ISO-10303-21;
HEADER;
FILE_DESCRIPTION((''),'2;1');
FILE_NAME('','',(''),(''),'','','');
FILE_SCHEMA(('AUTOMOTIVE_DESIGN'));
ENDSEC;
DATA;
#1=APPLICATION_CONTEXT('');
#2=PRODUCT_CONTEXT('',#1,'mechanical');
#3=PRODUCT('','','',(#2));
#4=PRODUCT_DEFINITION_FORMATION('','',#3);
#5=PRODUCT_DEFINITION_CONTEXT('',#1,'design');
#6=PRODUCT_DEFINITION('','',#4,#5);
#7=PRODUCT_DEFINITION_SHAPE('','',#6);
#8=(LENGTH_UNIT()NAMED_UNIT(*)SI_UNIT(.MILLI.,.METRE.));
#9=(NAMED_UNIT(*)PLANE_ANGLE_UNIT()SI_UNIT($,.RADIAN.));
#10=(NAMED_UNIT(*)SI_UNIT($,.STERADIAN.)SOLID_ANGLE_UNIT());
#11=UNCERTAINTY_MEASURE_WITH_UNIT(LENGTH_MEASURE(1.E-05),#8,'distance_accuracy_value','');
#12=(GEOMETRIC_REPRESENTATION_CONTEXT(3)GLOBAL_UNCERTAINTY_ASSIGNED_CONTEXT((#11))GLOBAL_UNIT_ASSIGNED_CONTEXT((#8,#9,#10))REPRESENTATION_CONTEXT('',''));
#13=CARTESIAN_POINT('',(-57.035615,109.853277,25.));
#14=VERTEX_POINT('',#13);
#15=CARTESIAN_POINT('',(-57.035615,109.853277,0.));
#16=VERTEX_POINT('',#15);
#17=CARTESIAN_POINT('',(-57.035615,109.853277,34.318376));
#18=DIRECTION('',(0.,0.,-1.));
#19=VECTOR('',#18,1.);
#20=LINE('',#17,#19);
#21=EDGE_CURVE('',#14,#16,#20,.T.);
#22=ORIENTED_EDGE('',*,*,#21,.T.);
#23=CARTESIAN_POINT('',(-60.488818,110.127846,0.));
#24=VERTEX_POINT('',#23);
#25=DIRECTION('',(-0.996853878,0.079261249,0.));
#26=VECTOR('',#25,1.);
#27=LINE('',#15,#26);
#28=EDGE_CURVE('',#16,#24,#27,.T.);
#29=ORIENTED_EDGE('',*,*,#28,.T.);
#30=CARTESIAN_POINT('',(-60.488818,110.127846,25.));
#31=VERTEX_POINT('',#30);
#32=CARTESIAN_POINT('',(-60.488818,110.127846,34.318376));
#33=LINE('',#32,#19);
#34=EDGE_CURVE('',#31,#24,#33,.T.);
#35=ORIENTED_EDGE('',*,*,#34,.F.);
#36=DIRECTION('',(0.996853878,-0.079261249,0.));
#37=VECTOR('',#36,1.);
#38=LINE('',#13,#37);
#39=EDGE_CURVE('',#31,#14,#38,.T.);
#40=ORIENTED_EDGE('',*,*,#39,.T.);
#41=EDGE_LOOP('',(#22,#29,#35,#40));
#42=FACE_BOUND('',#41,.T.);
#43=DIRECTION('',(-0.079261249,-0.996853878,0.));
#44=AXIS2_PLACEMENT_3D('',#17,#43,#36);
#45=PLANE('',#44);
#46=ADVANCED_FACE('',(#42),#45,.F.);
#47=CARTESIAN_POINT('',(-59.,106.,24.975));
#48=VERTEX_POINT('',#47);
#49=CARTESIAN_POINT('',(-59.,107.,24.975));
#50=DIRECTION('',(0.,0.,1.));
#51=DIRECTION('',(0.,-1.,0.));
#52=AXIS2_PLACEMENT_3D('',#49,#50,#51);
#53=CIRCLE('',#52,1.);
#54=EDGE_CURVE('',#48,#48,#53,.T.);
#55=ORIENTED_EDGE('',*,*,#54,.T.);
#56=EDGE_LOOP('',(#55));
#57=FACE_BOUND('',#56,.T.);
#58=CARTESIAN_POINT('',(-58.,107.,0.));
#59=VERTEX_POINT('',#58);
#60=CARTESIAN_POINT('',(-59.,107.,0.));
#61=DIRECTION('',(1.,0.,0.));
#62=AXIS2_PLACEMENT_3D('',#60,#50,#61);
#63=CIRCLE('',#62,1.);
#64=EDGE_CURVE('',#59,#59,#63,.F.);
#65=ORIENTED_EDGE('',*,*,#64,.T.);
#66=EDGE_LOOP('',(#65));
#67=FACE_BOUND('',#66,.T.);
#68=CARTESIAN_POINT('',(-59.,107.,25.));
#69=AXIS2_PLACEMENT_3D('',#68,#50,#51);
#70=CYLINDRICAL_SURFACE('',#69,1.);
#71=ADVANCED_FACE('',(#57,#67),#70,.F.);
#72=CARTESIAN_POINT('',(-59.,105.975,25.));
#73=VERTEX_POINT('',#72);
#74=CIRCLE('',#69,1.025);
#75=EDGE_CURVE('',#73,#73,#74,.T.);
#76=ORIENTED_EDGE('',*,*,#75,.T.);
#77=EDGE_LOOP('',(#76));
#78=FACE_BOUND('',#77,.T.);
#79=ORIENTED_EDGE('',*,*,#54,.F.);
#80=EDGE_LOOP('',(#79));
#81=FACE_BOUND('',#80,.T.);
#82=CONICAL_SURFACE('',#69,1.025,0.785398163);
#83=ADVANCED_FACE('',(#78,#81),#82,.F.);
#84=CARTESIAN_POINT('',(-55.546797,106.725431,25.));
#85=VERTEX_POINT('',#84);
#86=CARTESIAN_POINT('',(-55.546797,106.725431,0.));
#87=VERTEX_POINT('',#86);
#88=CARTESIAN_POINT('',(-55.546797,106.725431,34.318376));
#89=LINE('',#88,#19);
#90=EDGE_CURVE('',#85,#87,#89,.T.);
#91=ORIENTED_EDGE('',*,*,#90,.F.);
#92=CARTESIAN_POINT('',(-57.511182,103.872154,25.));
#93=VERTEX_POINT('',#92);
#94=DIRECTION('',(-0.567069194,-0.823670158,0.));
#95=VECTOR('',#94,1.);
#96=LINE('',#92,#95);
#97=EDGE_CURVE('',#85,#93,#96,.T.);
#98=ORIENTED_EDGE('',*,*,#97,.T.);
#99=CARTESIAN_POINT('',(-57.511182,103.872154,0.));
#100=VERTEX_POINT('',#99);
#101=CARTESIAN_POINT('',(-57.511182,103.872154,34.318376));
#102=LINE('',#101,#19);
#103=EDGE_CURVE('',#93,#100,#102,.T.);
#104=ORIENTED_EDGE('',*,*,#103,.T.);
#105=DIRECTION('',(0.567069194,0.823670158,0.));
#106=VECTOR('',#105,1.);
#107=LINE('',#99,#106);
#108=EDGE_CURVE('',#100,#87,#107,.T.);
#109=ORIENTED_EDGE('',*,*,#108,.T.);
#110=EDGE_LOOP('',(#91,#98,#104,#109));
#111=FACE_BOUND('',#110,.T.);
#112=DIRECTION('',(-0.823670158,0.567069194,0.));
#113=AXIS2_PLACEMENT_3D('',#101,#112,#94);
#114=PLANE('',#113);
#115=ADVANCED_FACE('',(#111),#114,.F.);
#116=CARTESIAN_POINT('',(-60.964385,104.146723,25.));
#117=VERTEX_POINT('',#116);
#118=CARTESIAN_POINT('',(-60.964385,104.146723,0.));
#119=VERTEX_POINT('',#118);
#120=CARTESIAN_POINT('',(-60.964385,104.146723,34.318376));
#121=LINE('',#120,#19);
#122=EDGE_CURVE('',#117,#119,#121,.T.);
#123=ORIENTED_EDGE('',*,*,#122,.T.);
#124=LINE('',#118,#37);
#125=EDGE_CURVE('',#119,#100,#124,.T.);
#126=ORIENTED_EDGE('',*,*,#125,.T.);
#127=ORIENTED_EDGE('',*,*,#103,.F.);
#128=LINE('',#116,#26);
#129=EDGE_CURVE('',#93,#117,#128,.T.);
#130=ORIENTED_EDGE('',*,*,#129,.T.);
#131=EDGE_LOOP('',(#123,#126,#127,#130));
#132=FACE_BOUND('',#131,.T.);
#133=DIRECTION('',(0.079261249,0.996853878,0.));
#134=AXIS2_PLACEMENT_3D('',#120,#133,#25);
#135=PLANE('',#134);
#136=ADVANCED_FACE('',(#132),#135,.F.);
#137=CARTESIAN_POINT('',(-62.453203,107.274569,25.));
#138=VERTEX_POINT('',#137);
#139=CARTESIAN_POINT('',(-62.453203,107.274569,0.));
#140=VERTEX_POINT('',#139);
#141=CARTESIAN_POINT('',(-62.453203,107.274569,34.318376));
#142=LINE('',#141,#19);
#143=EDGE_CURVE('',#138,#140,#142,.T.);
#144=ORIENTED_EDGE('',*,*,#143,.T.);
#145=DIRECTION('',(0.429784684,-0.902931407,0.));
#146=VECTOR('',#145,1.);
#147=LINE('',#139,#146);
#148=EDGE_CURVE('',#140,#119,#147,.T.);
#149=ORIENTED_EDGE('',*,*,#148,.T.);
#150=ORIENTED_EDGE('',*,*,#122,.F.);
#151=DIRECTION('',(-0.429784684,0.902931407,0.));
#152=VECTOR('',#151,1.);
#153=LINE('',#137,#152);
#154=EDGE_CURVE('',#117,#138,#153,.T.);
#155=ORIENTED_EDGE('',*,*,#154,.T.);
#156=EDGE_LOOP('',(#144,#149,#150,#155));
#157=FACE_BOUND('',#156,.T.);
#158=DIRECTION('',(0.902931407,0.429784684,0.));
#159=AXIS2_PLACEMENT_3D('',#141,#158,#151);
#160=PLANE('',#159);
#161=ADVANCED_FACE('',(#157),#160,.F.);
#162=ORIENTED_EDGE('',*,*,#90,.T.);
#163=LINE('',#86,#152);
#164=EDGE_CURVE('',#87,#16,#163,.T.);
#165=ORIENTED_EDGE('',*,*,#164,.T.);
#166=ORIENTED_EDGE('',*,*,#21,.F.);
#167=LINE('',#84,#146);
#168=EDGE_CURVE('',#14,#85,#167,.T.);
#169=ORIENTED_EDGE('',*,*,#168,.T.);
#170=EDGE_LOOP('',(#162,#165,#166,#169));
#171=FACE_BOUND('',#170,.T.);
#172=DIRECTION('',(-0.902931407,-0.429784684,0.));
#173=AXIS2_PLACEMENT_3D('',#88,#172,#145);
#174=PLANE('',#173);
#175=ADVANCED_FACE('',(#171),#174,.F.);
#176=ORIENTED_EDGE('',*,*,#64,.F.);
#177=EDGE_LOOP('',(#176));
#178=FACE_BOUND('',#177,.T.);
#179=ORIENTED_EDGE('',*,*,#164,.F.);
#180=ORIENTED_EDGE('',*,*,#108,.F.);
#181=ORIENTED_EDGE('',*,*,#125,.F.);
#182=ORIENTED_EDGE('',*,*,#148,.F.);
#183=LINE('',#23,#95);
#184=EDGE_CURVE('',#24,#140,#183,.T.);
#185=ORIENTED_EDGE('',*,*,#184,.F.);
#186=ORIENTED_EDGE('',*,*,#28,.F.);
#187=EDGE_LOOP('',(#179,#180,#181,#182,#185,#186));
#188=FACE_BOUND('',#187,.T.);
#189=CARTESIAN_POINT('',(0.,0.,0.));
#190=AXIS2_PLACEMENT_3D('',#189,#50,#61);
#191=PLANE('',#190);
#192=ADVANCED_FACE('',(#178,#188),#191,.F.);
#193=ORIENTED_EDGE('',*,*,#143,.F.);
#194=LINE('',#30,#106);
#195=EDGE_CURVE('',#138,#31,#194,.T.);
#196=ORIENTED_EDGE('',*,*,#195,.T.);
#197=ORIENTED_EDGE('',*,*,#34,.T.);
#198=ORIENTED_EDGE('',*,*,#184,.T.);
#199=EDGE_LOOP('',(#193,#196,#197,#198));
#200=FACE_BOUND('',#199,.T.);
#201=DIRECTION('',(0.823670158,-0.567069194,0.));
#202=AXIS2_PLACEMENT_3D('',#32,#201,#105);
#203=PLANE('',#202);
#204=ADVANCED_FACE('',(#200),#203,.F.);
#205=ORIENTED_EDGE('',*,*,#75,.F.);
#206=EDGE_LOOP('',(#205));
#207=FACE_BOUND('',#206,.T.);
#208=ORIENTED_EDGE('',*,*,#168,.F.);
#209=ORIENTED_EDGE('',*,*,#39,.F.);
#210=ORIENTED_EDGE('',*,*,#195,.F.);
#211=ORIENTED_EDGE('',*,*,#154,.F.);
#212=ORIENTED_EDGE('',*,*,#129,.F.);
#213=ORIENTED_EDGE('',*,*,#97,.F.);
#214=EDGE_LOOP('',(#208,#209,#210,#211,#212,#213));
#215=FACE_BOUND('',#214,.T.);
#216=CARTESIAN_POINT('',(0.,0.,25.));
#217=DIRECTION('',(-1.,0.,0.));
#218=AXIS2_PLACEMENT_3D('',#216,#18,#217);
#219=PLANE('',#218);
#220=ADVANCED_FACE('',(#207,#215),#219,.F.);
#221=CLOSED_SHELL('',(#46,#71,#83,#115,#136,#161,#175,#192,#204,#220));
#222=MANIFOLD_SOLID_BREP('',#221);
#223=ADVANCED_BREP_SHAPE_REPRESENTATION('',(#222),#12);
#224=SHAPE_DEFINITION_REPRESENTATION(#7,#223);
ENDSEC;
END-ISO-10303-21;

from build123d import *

# Parameters (mm, degrees)
BOSS_EXTRUDE1_DEPTH             = 25
F_2_0MM_DOWEL_HOLE1_D           = 2
F_2_0MM_DOWEL_HOLE1_DEPTH       = 25
F_2_0MM_DOWEL_HOLE1_CSINK_D     = 2.05
F_2_0MM_DOWEL_HOLE1_CSINK_ANGLE = 90
F_2_0MM_DOWEL_HOLE1_TIP         = 0.600860619


with BuildPart() as part:
    # Sketch1 → Boss-Extrude1 (new body)
    with BuildSketch(Plane.XY):
        Polygon((-60.488817819, 110.127846144), (-62.453203129, 107.27456902), (-60.964385311, 104.146722875), (-57.511182181, 103.872153856), (-55.546796871, 106.72543098), (-57.035614689, 109.853277125), align=None)
    extrude(amount=BOSS_EXTRUDE1_DEPTH)

    # Ø2.0mm Dowel Hole1
    with Locations(Plane(origin=(-59, 107, 25), x_dir=(1, 0, 0), z_dir=(0, 0, 1))):
        with Locations((0, 0)):
            CounterSinkHole(F_2_0MM_DOWEL_HOLE1_D / 2, F_2_0MM_DOWEL_HOLE1_CSINK_D / 2, depth=F_2_0MM_DOWEL_HOLE1_DEPTH, counter_sink_angle=F_2_0MM_DOWEL_HOLE1_CSINK_ANGLE)
            with Locations((0, 0, -(F_2_0MM_DOWEL_HOLE1_DEPTH + F_2_0MM_DOWEL_HOLE1_TIP / 2))):  # 118° drill point
                Cone(0, F_2_0MM_DOWEL_HOLE1_D / 2, F_2_0MM_DOWEL_HOLE1_TIP, mode=Mode.SUBTRACT)


solid = part.part
